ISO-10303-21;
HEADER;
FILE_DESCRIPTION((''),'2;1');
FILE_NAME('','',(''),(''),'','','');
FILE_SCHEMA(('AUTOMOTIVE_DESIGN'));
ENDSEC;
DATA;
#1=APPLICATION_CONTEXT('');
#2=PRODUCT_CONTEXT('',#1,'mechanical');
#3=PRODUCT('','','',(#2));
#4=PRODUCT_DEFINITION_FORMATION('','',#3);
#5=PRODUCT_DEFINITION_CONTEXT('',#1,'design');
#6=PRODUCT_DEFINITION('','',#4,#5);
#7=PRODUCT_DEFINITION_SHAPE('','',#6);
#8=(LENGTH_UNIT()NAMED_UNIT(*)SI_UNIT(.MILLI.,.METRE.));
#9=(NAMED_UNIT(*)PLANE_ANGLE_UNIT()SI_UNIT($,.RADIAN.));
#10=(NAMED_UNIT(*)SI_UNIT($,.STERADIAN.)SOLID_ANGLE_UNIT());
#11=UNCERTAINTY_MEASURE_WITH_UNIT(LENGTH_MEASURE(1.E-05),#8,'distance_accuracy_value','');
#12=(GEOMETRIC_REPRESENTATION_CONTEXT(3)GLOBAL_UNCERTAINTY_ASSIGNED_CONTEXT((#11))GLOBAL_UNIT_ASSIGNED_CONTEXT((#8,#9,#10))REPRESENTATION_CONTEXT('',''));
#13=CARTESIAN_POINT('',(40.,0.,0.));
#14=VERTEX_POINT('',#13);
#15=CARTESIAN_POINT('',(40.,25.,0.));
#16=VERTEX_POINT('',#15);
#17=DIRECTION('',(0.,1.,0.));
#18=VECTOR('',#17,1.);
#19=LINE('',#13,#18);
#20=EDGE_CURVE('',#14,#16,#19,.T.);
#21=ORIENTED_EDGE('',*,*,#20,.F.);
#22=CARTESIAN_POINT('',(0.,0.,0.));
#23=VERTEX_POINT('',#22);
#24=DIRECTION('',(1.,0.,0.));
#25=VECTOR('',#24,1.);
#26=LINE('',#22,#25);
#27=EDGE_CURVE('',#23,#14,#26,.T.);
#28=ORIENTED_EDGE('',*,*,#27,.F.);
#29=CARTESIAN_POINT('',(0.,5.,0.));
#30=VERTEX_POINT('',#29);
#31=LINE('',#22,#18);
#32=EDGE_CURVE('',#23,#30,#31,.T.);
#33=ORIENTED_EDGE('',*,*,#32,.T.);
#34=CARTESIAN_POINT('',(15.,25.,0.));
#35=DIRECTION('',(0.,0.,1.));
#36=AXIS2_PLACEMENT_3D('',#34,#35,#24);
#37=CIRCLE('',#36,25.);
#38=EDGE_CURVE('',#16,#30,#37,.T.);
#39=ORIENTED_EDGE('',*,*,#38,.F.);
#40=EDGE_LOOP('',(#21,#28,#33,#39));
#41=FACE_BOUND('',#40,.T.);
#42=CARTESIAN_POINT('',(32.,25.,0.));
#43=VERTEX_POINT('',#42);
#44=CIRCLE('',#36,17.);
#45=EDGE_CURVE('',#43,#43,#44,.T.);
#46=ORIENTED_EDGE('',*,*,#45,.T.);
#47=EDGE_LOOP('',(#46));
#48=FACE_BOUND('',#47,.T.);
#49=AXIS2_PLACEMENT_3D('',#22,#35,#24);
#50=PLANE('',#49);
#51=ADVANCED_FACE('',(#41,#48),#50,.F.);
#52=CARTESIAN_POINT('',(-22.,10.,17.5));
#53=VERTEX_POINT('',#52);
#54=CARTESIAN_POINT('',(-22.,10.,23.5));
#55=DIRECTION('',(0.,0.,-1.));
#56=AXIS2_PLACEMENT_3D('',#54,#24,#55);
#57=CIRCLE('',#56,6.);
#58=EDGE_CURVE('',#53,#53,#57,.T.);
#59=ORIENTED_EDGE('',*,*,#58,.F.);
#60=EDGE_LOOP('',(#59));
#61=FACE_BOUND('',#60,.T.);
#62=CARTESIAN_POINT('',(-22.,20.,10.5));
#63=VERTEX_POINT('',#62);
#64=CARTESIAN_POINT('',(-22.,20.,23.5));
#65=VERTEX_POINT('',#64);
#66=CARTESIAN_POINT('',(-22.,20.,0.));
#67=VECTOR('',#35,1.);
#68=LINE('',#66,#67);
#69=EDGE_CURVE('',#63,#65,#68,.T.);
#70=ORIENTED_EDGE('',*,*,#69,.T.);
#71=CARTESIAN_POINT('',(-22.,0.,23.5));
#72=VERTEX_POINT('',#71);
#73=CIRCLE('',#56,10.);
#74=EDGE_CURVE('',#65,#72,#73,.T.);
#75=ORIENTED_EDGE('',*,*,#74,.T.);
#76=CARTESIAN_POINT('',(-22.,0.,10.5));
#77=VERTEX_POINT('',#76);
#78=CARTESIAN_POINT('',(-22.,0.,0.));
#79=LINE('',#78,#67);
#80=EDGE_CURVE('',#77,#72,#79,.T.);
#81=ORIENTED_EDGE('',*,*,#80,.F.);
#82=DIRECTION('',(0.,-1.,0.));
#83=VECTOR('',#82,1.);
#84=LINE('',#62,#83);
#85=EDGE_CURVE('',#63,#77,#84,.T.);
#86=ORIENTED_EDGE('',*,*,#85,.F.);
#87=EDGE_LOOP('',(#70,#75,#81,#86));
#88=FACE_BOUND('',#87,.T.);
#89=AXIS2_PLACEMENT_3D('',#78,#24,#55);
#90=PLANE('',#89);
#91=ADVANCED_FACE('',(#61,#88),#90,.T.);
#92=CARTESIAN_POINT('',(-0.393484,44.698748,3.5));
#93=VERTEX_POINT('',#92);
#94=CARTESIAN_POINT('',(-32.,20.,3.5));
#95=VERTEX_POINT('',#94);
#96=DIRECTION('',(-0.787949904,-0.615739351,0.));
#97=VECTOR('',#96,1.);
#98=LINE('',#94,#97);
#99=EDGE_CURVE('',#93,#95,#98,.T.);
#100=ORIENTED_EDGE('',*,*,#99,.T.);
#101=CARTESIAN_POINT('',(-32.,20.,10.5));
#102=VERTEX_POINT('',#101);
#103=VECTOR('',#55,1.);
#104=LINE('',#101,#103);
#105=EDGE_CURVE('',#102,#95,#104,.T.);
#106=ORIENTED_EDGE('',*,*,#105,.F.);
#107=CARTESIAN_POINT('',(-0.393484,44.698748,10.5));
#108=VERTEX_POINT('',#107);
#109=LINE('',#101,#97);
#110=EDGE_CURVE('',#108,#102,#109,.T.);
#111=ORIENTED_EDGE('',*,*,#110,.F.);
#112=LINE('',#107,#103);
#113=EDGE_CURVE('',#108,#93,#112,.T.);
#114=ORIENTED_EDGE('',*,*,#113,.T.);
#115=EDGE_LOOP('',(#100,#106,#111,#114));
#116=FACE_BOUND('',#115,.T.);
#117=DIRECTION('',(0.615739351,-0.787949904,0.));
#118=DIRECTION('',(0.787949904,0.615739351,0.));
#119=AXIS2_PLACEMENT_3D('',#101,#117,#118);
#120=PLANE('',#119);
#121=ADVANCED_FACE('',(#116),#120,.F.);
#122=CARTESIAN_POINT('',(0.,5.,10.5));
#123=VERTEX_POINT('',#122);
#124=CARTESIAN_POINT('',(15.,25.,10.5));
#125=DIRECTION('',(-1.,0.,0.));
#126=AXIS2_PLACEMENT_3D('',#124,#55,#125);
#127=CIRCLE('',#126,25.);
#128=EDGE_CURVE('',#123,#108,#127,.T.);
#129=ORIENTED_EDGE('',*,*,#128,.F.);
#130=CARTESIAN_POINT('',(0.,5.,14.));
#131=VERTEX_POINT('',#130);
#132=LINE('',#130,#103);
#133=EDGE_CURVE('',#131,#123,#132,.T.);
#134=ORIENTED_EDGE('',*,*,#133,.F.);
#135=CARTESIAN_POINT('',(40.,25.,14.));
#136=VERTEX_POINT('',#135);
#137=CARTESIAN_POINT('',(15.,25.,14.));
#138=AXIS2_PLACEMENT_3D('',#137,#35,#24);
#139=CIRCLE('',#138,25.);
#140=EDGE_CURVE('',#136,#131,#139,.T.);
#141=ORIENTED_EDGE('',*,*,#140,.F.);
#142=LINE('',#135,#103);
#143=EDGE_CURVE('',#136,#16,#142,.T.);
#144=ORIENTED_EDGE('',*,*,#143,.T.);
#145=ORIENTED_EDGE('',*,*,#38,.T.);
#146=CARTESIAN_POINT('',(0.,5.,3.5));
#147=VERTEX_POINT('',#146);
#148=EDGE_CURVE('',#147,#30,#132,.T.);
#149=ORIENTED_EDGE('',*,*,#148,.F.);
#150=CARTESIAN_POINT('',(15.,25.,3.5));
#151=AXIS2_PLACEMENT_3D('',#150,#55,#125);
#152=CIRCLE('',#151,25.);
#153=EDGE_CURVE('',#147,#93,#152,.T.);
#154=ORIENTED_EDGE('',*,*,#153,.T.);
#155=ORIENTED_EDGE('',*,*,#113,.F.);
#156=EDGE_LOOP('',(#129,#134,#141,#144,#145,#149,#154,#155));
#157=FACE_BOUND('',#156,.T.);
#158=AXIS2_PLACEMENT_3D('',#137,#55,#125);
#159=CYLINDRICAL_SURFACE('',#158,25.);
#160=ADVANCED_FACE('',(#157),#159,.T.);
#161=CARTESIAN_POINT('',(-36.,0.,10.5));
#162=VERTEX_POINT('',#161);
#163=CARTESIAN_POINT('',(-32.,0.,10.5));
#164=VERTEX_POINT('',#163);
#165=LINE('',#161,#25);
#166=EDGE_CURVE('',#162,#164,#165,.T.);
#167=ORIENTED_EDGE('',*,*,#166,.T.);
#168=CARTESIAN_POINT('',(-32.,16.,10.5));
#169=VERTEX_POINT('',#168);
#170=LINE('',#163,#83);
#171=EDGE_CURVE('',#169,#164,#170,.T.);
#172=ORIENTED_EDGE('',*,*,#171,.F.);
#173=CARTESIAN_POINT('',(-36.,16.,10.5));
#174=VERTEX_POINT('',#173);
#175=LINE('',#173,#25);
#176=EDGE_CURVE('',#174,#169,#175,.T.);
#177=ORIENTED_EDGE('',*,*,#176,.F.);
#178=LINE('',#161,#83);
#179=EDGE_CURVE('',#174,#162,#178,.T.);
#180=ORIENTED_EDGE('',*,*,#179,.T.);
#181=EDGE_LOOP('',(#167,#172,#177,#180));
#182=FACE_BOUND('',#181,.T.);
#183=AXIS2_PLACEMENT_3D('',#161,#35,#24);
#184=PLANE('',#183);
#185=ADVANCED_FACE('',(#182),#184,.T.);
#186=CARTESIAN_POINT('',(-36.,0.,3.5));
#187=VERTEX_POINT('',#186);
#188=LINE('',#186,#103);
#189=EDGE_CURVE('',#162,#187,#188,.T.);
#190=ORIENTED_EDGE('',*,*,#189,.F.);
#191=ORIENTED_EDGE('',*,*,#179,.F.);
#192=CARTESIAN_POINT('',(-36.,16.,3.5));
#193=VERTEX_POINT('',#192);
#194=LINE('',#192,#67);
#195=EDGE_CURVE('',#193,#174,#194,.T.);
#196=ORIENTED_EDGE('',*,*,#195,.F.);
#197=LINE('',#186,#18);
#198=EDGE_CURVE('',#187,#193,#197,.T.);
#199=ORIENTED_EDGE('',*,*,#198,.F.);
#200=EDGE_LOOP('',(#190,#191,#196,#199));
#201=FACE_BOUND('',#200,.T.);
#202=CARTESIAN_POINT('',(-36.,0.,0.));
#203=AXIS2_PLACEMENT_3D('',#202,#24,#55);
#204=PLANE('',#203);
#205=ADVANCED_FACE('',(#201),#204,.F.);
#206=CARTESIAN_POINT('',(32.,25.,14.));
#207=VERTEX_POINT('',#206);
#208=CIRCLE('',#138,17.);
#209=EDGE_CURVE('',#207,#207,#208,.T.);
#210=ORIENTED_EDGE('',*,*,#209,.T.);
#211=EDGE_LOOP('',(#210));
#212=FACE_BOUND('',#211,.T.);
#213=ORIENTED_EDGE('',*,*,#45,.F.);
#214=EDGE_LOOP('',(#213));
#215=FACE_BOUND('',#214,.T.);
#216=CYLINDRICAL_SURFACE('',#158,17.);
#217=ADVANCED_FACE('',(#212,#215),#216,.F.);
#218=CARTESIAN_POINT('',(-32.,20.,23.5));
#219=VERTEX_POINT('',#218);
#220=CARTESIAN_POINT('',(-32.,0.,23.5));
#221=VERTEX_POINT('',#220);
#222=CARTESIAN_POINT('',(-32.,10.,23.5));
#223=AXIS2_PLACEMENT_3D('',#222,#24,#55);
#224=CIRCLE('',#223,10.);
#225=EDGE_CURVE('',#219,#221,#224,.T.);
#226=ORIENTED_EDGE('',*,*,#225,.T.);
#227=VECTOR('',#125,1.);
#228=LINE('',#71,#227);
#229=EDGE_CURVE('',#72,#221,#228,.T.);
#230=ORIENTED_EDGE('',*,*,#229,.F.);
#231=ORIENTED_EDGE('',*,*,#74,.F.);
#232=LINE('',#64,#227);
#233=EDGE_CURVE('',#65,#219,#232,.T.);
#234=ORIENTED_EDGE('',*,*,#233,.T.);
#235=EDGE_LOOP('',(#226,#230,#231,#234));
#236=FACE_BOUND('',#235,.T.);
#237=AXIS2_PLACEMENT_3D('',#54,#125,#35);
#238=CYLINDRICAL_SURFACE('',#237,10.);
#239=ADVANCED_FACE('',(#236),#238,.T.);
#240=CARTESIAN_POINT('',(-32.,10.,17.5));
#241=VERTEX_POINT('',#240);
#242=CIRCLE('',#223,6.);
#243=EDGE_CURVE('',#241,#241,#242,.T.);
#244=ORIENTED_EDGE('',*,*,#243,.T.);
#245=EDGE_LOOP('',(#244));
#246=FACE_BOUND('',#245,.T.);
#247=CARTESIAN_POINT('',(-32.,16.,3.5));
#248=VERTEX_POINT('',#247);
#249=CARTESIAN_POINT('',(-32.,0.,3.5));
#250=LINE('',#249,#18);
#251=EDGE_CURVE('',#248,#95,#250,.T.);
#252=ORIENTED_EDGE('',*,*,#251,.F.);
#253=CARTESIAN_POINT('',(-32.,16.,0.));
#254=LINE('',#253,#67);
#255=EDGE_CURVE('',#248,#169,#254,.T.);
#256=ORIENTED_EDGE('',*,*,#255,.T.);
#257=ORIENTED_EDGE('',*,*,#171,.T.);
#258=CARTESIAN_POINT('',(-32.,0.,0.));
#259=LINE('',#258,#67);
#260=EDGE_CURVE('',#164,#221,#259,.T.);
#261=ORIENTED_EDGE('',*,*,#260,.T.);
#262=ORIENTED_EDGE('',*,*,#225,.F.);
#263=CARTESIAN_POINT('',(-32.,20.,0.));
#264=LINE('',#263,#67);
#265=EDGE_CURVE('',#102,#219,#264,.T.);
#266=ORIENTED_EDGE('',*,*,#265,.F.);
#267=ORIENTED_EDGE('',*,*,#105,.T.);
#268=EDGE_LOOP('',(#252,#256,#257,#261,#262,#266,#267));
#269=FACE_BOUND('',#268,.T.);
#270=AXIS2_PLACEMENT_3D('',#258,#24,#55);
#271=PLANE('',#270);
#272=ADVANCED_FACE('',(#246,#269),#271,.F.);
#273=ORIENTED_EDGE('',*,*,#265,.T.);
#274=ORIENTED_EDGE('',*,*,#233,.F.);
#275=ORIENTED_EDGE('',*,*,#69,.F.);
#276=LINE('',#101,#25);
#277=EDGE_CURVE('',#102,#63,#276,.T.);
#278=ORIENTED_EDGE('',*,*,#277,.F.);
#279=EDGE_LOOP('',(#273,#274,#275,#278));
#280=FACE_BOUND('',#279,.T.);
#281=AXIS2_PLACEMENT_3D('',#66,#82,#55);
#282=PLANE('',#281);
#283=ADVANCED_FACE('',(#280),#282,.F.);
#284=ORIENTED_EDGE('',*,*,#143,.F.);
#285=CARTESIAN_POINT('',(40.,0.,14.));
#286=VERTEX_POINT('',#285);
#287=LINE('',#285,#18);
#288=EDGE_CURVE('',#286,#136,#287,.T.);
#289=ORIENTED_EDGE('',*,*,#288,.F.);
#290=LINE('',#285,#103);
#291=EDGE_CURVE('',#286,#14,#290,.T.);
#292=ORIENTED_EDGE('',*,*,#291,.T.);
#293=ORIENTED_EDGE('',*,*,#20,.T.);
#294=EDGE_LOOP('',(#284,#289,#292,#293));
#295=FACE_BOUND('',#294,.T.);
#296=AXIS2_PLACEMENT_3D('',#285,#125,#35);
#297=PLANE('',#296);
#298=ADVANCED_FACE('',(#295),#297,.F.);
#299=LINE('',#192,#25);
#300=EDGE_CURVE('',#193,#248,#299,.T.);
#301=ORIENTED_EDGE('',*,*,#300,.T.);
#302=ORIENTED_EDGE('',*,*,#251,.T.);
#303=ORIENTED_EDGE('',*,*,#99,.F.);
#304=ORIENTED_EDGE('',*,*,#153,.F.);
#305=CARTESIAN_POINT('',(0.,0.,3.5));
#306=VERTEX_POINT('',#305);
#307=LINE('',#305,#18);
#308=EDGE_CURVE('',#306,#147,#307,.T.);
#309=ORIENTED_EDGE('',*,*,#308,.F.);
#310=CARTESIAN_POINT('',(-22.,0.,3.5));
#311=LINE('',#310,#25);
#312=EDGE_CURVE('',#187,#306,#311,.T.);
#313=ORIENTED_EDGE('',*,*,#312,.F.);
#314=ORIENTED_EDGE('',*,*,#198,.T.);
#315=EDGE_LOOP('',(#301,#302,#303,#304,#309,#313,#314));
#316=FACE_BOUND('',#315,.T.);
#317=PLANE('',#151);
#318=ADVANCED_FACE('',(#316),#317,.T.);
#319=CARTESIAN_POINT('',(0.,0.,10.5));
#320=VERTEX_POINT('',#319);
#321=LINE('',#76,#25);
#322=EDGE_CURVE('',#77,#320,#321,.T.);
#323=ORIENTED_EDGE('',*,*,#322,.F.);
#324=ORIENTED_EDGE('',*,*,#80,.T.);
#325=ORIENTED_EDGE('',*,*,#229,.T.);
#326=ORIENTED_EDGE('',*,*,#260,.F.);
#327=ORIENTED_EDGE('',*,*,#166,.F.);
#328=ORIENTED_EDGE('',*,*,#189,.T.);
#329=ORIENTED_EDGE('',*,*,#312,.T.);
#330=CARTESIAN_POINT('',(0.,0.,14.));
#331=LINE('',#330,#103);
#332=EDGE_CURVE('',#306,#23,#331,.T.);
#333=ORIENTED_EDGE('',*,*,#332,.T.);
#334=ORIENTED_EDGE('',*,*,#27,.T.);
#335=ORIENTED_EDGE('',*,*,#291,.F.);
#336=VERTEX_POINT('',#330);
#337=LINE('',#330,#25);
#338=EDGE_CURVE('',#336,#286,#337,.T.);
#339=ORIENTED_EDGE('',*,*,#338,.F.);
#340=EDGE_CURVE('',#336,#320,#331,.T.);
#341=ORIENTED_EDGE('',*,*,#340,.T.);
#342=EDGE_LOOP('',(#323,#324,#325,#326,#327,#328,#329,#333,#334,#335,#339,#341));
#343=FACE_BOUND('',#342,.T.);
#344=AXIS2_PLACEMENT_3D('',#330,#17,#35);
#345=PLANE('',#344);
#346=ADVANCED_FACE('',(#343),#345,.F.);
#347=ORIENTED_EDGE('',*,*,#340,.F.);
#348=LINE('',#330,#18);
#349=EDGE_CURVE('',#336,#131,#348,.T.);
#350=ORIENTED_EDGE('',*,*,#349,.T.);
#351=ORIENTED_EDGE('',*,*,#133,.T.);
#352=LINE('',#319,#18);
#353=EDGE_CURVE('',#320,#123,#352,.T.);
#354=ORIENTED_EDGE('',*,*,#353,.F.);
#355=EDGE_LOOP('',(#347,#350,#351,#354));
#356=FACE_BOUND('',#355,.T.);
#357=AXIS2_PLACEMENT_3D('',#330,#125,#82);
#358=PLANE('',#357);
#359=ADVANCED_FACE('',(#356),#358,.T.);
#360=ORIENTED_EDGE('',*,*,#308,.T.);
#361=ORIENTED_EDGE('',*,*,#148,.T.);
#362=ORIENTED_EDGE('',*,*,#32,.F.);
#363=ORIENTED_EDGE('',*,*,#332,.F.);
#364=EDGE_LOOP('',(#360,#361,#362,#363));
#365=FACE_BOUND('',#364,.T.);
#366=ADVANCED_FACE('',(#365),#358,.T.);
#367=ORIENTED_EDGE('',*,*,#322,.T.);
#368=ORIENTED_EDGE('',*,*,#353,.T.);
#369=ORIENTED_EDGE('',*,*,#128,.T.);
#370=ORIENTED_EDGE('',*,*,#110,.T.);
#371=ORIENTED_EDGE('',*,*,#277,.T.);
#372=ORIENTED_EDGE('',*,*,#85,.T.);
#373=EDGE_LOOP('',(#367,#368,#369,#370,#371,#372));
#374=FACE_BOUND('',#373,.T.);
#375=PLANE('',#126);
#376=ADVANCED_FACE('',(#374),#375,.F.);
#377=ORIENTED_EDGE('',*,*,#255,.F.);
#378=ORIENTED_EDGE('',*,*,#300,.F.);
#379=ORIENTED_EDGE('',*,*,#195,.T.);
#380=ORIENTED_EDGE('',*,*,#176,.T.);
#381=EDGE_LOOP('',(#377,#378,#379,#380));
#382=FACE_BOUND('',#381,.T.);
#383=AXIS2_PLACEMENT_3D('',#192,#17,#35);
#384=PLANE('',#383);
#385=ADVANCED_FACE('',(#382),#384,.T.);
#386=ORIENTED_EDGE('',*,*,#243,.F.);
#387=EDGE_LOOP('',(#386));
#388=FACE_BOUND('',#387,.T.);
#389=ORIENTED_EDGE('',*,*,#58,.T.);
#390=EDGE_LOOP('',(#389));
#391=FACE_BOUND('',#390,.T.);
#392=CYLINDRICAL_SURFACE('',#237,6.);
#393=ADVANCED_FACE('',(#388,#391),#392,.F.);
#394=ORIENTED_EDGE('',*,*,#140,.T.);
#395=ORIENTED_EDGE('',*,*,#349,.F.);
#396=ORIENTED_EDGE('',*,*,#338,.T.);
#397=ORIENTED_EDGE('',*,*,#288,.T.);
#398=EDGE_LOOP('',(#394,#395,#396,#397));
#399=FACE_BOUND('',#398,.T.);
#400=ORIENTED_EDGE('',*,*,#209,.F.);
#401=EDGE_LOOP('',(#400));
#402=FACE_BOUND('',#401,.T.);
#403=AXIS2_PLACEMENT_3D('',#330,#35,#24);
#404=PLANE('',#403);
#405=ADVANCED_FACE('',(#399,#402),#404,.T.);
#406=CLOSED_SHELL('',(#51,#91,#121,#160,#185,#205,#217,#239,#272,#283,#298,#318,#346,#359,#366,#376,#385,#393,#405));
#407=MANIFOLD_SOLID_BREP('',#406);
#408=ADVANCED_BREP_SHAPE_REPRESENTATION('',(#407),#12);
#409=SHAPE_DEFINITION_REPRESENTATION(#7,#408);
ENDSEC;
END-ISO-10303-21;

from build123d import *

# Parameters (mm, degrees)
IZIM1_R                           = 17
Y_KSEKLIK_EKSTR_ZYON1_DEPTH       = 14
Y_KSEKLIK_EKSTR_ZYON2_DEPTH       = 14
IZIM2_W                           = 7
IZIM2_H                           = 16
Y_KSEKLIK_EKSTR_ZYON3_DEPTH       = 4
IZIM2_3_R                         = 6
Y_KSEKLIK_EKSTR_ZYON4_DEPTH       = 10
Y_KSEKLIK_EKSTR_ZYON11_DEPTH      = 10
Y_KSEKLIK_EKSTR_ZYON11_DEPTH_BACK = 4
IZIM4_W                           = 7
IZIM4_H                           = 16
Y_KSEKLIK_EKSTR_ZYON12_DEPTH      = 3.5


with BuildPart() as part:
    # Çizim1 → Yükseklik-Ekstrüzyon1 (new body)
    with BuildSketch(Plane.XY):
        with BuildLine():
            ThreePointArc((40, 25), (3.819660113, 47.360679775), (0, 5))
            ThreePointArc((0, 5), (7.09430585, 1.282917549), (15, 0))
            ThreePointArc((15, 0), (32.67766953, 7.32233047), (40, 25))
        make_face()
        with Locations((15, 25)):
            Circle(IZIM1_R, mode=Mode.SUBTRACT)
    extrude(amount=Y_KSEKLIK_EKSTR_ZYON1_DEPTH)

    # Çizim1<3> → Yükseklik-Ekstrüzyon2 (add)
    with BuildSketch(Plane.XY):
        with BuildLine():
            Line((0, 5), (0, 0))
            Line((0, 0), (15, 0))
            ThreePointArc((15, 0), (7.09430585, 1.282917549), (0, 5))
        make_face()
        with BuildLine():
            ThreePointArc((40, 25), (32.67766953, 7.32233047), (15, 0))
            Line((15, 0), (40, 0))
            Line((40, 0), (40, 25))
        make_face()
    extrude(amount=Y_KSEKLIK_EKSTR_ZYON2_DEPTH)



with BuildPart() as body_2:
    # Çizim2 → Yükseklik-Ekstrüzyon3 (new body)
    with BuildSketch(Plane(origin=(-32, 0, 0), x_dir=(0, 0, -1), z_dir=(1, 0, 0))):
        with Locations((-7, 8)):
            Rectangle(IZIM2_W, IZIM2_H)
    extrude(amount=Y_KSEKLIK_EKSTR_ZYON3_DEPTH)

    # Çizim2<3> → Yükseklik-Ekstrüzyon4 (add)
    with BuildSketch(Plane(origin=(-32, 0, 0), x_dir=(0, 0, -1), z_dir=(1, 0, 0))):
        with BuildLine():
            Line((-23.5, 0), (-10.5, 0))
            Line((-10.5, 0), (-10.5, 16))
            Line((-10.5, 16), (-3.5, 16))
            Line((-3.5, 16), (-3.5, 20))
            Line((-3.5, 20), (-23.5, 20))
            ThreePointArc((-23.5, 20), (-33.5, 10), (-23.5, 0))
        make_face()
        with Locations((-23.5, 10)):
            Circle(IZIM2_3_R, mode=Mode.SUBTRACT)
    extrude(amount=Y_KSEKLIK_EKSTR_ZYON4_DEPTH)

    # Çizim4 → Yükseklik-Ekstrüzyon11 (add, two sides: drawn at the far end of the back side and taken through both)
    with BuildSketch(Plane(origin=(-32, 0, 0), x_dir=(0, 0, -1), z_dir=(1, 0, 0)).offset(-Y_KSEKLIK_EKSTR_ZYON11_DEPTH_BACK)):
        with Locations((-7, 8)):
            Rectangle(IZIM4_W, IZIM4_H)
    extrude(amount=Y_KSEKLIK_EKSTR_ZYON11_DEPTH + Y_KSEKLIK_EKSTR_ZYON11_DEPTH_BACK)


with BuildPart() as part_1:
    add(part.part)

    add(body_2.part)  # Yükseklik-Ekstrüzyon12 merges body 2
    # Çizim3 → Yükseklik-Ekstrüzyon12 (add, symmetric)
    with BuildSketch(Plane.XY.offset(7)):
        with BuildLine():
            Line((-32, 20), (-0.393483787, 44.698747597))
            ThreePointArc((-0.393483787, 44.698747597), (-9.998772057, 24.752218594), (0, 5))
            Line((0, 5), (0, 0))
            Line((0, 0), (-22, 0))
            Line((-22, 0), (-22, 20))
            Line((-22, 20), (-32, 20))
        make_face()
    extrude(amount=Y_KSEKLIK_EKSTR_ZYON12_DEPTH, both=True)


solid = part_1.part
